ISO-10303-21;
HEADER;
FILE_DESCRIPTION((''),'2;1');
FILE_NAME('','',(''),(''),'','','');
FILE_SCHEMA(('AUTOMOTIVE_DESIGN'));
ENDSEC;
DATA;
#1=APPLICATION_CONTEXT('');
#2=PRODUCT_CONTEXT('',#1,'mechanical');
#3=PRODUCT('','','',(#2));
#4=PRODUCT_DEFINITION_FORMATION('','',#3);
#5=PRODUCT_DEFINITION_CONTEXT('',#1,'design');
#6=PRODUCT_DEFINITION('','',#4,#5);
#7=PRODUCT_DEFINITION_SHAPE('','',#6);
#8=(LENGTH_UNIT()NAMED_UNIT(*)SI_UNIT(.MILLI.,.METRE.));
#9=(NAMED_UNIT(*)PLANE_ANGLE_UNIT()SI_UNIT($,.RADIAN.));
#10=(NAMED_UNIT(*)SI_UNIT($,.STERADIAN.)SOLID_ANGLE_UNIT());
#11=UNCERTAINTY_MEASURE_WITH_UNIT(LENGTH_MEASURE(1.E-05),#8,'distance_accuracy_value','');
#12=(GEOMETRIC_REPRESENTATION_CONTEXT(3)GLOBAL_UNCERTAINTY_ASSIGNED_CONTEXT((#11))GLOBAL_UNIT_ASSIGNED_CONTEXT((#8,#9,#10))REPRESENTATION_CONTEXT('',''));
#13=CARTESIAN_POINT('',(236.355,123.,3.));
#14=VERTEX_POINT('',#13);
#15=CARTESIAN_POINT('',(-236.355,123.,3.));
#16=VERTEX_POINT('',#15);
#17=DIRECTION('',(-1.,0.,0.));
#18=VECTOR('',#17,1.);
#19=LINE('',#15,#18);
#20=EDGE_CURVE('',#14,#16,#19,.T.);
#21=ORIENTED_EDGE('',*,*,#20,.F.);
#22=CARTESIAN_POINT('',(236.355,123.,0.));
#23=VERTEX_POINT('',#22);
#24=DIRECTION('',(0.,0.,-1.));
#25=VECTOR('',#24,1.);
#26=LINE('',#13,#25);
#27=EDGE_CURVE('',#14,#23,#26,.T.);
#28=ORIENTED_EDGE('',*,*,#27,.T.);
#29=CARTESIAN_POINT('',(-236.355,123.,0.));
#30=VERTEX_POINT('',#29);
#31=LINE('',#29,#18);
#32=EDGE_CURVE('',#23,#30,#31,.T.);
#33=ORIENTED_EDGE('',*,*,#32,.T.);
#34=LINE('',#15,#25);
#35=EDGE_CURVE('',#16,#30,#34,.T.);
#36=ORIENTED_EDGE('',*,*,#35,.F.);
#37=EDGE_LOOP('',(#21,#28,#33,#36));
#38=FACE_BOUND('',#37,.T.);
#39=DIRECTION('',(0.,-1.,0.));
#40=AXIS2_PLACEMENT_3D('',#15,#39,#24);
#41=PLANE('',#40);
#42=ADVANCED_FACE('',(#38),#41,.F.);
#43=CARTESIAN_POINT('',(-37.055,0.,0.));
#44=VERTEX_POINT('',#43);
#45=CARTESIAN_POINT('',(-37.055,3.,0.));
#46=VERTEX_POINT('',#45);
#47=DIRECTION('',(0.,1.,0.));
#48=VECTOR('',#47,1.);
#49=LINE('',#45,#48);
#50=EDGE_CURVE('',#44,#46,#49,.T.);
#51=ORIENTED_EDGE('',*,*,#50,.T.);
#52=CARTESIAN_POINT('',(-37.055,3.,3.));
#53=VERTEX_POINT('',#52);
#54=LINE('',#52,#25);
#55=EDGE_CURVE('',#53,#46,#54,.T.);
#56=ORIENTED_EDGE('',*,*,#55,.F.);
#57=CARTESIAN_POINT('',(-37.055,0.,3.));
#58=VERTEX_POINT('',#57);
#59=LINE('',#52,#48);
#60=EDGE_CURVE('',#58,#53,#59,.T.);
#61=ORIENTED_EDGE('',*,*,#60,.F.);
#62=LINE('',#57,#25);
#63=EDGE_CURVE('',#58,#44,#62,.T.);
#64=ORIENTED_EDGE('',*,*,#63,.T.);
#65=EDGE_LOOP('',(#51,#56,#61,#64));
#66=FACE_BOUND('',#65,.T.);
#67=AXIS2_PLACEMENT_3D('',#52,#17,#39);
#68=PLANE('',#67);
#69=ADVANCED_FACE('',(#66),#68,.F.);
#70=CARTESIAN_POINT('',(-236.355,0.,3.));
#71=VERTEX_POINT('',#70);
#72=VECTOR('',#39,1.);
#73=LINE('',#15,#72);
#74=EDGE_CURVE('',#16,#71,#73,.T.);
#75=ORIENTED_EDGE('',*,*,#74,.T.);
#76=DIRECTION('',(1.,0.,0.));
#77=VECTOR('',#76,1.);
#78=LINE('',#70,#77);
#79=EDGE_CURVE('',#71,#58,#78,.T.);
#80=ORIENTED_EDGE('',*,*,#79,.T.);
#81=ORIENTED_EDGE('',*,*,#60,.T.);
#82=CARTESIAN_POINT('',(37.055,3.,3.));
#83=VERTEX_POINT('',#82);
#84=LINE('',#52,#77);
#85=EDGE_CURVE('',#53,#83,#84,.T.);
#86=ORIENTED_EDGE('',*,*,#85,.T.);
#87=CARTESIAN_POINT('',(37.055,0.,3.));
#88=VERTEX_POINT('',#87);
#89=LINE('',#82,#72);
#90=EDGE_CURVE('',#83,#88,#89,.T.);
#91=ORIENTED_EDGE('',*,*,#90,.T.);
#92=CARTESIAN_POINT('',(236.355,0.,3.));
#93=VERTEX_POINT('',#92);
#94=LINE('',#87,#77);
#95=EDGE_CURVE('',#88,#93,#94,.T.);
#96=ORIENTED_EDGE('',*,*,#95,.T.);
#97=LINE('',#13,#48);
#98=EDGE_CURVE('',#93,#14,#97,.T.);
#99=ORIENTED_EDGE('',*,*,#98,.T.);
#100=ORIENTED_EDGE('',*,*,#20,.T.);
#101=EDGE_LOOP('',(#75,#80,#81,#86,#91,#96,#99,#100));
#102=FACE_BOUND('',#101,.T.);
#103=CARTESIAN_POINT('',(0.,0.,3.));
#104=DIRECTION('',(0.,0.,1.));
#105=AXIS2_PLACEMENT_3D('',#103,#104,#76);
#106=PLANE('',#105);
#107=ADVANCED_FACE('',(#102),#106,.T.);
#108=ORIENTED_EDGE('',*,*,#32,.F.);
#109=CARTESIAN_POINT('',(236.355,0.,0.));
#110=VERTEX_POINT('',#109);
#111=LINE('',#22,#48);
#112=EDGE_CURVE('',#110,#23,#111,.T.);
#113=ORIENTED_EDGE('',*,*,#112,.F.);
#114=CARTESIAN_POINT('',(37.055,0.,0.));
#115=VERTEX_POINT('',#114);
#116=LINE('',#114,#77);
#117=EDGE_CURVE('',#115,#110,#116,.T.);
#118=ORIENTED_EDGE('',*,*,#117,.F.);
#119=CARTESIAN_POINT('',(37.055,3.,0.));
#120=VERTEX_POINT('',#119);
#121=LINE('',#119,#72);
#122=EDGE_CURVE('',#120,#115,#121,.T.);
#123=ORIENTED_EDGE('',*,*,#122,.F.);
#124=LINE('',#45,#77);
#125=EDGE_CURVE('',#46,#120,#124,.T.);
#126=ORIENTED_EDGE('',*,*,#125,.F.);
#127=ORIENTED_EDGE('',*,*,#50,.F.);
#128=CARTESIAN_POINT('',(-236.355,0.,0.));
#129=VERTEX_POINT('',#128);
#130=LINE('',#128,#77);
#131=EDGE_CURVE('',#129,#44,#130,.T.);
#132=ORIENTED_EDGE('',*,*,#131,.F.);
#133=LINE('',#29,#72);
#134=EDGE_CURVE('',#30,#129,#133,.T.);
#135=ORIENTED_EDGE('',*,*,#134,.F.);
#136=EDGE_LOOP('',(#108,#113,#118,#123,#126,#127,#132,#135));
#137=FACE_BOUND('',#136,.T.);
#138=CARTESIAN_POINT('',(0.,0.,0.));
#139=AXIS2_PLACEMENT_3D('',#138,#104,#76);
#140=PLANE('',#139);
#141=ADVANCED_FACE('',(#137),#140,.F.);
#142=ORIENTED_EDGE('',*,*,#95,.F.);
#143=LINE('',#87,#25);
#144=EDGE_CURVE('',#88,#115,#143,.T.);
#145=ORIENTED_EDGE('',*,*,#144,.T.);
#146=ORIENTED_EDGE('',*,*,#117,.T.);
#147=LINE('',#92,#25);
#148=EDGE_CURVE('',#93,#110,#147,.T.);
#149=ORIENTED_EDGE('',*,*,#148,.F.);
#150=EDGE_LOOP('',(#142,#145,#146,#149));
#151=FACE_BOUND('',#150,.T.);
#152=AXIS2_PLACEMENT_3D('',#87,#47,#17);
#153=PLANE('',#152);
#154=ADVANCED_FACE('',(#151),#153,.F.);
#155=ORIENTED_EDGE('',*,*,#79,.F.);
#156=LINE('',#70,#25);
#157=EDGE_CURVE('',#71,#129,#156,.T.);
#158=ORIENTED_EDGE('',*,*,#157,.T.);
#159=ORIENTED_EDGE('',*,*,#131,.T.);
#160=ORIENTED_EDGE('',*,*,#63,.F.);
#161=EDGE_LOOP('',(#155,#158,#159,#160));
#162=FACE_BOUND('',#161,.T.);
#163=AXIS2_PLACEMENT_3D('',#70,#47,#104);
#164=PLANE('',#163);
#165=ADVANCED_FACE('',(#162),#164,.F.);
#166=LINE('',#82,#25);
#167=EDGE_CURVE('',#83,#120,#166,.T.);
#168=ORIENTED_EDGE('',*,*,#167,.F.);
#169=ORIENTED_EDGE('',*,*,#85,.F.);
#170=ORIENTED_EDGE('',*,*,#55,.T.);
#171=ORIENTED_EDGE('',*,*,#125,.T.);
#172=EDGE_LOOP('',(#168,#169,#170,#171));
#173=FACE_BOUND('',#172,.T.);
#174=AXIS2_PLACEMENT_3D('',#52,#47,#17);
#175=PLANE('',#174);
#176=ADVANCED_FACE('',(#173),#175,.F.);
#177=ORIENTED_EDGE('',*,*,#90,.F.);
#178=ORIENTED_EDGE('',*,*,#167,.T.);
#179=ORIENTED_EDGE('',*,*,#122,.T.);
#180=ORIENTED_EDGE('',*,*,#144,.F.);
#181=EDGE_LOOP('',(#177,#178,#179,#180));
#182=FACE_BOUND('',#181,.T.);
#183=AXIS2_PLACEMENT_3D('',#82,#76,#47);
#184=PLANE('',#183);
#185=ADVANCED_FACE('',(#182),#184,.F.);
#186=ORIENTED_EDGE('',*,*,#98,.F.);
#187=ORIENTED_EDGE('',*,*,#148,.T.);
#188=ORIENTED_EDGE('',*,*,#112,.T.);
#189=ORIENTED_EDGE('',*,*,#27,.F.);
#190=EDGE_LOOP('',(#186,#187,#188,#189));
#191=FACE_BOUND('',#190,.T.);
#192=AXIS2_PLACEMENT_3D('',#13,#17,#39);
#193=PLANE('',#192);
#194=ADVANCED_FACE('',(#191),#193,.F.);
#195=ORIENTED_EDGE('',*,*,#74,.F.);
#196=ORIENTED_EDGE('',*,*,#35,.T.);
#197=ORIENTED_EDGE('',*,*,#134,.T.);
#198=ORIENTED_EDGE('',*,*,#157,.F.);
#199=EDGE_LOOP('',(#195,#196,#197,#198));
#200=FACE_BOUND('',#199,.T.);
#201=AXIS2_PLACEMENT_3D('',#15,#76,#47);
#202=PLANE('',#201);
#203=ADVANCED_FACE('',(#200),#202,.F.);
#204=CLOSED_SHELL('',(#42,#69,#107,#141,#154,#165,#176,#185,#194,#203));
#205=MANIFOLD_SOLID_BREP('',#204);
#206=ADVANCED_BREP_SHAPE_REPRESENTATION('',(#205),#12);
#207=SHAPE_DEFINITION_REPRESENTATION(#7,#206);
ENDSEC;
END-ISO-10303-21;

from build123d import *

# Parameters (mm, degrees)
BOSS_EXTRUDE1_DEPTH = 3


with BuildPart() as part:
    # Sketch1 → Boss-Extrude1 (new body)
    with BuildSketch(Plane.XY):
        Polygon((-37.055, 3), (37.055, 3), (37.055, 0), (236.355, 0), (236.355, 123), (-236.355, 123), (-236.355, 0), (-37.055, 0), align=None)
    extrude(amount=BOSS_EXTRUDE1_DEPTH)


solid = part.part
